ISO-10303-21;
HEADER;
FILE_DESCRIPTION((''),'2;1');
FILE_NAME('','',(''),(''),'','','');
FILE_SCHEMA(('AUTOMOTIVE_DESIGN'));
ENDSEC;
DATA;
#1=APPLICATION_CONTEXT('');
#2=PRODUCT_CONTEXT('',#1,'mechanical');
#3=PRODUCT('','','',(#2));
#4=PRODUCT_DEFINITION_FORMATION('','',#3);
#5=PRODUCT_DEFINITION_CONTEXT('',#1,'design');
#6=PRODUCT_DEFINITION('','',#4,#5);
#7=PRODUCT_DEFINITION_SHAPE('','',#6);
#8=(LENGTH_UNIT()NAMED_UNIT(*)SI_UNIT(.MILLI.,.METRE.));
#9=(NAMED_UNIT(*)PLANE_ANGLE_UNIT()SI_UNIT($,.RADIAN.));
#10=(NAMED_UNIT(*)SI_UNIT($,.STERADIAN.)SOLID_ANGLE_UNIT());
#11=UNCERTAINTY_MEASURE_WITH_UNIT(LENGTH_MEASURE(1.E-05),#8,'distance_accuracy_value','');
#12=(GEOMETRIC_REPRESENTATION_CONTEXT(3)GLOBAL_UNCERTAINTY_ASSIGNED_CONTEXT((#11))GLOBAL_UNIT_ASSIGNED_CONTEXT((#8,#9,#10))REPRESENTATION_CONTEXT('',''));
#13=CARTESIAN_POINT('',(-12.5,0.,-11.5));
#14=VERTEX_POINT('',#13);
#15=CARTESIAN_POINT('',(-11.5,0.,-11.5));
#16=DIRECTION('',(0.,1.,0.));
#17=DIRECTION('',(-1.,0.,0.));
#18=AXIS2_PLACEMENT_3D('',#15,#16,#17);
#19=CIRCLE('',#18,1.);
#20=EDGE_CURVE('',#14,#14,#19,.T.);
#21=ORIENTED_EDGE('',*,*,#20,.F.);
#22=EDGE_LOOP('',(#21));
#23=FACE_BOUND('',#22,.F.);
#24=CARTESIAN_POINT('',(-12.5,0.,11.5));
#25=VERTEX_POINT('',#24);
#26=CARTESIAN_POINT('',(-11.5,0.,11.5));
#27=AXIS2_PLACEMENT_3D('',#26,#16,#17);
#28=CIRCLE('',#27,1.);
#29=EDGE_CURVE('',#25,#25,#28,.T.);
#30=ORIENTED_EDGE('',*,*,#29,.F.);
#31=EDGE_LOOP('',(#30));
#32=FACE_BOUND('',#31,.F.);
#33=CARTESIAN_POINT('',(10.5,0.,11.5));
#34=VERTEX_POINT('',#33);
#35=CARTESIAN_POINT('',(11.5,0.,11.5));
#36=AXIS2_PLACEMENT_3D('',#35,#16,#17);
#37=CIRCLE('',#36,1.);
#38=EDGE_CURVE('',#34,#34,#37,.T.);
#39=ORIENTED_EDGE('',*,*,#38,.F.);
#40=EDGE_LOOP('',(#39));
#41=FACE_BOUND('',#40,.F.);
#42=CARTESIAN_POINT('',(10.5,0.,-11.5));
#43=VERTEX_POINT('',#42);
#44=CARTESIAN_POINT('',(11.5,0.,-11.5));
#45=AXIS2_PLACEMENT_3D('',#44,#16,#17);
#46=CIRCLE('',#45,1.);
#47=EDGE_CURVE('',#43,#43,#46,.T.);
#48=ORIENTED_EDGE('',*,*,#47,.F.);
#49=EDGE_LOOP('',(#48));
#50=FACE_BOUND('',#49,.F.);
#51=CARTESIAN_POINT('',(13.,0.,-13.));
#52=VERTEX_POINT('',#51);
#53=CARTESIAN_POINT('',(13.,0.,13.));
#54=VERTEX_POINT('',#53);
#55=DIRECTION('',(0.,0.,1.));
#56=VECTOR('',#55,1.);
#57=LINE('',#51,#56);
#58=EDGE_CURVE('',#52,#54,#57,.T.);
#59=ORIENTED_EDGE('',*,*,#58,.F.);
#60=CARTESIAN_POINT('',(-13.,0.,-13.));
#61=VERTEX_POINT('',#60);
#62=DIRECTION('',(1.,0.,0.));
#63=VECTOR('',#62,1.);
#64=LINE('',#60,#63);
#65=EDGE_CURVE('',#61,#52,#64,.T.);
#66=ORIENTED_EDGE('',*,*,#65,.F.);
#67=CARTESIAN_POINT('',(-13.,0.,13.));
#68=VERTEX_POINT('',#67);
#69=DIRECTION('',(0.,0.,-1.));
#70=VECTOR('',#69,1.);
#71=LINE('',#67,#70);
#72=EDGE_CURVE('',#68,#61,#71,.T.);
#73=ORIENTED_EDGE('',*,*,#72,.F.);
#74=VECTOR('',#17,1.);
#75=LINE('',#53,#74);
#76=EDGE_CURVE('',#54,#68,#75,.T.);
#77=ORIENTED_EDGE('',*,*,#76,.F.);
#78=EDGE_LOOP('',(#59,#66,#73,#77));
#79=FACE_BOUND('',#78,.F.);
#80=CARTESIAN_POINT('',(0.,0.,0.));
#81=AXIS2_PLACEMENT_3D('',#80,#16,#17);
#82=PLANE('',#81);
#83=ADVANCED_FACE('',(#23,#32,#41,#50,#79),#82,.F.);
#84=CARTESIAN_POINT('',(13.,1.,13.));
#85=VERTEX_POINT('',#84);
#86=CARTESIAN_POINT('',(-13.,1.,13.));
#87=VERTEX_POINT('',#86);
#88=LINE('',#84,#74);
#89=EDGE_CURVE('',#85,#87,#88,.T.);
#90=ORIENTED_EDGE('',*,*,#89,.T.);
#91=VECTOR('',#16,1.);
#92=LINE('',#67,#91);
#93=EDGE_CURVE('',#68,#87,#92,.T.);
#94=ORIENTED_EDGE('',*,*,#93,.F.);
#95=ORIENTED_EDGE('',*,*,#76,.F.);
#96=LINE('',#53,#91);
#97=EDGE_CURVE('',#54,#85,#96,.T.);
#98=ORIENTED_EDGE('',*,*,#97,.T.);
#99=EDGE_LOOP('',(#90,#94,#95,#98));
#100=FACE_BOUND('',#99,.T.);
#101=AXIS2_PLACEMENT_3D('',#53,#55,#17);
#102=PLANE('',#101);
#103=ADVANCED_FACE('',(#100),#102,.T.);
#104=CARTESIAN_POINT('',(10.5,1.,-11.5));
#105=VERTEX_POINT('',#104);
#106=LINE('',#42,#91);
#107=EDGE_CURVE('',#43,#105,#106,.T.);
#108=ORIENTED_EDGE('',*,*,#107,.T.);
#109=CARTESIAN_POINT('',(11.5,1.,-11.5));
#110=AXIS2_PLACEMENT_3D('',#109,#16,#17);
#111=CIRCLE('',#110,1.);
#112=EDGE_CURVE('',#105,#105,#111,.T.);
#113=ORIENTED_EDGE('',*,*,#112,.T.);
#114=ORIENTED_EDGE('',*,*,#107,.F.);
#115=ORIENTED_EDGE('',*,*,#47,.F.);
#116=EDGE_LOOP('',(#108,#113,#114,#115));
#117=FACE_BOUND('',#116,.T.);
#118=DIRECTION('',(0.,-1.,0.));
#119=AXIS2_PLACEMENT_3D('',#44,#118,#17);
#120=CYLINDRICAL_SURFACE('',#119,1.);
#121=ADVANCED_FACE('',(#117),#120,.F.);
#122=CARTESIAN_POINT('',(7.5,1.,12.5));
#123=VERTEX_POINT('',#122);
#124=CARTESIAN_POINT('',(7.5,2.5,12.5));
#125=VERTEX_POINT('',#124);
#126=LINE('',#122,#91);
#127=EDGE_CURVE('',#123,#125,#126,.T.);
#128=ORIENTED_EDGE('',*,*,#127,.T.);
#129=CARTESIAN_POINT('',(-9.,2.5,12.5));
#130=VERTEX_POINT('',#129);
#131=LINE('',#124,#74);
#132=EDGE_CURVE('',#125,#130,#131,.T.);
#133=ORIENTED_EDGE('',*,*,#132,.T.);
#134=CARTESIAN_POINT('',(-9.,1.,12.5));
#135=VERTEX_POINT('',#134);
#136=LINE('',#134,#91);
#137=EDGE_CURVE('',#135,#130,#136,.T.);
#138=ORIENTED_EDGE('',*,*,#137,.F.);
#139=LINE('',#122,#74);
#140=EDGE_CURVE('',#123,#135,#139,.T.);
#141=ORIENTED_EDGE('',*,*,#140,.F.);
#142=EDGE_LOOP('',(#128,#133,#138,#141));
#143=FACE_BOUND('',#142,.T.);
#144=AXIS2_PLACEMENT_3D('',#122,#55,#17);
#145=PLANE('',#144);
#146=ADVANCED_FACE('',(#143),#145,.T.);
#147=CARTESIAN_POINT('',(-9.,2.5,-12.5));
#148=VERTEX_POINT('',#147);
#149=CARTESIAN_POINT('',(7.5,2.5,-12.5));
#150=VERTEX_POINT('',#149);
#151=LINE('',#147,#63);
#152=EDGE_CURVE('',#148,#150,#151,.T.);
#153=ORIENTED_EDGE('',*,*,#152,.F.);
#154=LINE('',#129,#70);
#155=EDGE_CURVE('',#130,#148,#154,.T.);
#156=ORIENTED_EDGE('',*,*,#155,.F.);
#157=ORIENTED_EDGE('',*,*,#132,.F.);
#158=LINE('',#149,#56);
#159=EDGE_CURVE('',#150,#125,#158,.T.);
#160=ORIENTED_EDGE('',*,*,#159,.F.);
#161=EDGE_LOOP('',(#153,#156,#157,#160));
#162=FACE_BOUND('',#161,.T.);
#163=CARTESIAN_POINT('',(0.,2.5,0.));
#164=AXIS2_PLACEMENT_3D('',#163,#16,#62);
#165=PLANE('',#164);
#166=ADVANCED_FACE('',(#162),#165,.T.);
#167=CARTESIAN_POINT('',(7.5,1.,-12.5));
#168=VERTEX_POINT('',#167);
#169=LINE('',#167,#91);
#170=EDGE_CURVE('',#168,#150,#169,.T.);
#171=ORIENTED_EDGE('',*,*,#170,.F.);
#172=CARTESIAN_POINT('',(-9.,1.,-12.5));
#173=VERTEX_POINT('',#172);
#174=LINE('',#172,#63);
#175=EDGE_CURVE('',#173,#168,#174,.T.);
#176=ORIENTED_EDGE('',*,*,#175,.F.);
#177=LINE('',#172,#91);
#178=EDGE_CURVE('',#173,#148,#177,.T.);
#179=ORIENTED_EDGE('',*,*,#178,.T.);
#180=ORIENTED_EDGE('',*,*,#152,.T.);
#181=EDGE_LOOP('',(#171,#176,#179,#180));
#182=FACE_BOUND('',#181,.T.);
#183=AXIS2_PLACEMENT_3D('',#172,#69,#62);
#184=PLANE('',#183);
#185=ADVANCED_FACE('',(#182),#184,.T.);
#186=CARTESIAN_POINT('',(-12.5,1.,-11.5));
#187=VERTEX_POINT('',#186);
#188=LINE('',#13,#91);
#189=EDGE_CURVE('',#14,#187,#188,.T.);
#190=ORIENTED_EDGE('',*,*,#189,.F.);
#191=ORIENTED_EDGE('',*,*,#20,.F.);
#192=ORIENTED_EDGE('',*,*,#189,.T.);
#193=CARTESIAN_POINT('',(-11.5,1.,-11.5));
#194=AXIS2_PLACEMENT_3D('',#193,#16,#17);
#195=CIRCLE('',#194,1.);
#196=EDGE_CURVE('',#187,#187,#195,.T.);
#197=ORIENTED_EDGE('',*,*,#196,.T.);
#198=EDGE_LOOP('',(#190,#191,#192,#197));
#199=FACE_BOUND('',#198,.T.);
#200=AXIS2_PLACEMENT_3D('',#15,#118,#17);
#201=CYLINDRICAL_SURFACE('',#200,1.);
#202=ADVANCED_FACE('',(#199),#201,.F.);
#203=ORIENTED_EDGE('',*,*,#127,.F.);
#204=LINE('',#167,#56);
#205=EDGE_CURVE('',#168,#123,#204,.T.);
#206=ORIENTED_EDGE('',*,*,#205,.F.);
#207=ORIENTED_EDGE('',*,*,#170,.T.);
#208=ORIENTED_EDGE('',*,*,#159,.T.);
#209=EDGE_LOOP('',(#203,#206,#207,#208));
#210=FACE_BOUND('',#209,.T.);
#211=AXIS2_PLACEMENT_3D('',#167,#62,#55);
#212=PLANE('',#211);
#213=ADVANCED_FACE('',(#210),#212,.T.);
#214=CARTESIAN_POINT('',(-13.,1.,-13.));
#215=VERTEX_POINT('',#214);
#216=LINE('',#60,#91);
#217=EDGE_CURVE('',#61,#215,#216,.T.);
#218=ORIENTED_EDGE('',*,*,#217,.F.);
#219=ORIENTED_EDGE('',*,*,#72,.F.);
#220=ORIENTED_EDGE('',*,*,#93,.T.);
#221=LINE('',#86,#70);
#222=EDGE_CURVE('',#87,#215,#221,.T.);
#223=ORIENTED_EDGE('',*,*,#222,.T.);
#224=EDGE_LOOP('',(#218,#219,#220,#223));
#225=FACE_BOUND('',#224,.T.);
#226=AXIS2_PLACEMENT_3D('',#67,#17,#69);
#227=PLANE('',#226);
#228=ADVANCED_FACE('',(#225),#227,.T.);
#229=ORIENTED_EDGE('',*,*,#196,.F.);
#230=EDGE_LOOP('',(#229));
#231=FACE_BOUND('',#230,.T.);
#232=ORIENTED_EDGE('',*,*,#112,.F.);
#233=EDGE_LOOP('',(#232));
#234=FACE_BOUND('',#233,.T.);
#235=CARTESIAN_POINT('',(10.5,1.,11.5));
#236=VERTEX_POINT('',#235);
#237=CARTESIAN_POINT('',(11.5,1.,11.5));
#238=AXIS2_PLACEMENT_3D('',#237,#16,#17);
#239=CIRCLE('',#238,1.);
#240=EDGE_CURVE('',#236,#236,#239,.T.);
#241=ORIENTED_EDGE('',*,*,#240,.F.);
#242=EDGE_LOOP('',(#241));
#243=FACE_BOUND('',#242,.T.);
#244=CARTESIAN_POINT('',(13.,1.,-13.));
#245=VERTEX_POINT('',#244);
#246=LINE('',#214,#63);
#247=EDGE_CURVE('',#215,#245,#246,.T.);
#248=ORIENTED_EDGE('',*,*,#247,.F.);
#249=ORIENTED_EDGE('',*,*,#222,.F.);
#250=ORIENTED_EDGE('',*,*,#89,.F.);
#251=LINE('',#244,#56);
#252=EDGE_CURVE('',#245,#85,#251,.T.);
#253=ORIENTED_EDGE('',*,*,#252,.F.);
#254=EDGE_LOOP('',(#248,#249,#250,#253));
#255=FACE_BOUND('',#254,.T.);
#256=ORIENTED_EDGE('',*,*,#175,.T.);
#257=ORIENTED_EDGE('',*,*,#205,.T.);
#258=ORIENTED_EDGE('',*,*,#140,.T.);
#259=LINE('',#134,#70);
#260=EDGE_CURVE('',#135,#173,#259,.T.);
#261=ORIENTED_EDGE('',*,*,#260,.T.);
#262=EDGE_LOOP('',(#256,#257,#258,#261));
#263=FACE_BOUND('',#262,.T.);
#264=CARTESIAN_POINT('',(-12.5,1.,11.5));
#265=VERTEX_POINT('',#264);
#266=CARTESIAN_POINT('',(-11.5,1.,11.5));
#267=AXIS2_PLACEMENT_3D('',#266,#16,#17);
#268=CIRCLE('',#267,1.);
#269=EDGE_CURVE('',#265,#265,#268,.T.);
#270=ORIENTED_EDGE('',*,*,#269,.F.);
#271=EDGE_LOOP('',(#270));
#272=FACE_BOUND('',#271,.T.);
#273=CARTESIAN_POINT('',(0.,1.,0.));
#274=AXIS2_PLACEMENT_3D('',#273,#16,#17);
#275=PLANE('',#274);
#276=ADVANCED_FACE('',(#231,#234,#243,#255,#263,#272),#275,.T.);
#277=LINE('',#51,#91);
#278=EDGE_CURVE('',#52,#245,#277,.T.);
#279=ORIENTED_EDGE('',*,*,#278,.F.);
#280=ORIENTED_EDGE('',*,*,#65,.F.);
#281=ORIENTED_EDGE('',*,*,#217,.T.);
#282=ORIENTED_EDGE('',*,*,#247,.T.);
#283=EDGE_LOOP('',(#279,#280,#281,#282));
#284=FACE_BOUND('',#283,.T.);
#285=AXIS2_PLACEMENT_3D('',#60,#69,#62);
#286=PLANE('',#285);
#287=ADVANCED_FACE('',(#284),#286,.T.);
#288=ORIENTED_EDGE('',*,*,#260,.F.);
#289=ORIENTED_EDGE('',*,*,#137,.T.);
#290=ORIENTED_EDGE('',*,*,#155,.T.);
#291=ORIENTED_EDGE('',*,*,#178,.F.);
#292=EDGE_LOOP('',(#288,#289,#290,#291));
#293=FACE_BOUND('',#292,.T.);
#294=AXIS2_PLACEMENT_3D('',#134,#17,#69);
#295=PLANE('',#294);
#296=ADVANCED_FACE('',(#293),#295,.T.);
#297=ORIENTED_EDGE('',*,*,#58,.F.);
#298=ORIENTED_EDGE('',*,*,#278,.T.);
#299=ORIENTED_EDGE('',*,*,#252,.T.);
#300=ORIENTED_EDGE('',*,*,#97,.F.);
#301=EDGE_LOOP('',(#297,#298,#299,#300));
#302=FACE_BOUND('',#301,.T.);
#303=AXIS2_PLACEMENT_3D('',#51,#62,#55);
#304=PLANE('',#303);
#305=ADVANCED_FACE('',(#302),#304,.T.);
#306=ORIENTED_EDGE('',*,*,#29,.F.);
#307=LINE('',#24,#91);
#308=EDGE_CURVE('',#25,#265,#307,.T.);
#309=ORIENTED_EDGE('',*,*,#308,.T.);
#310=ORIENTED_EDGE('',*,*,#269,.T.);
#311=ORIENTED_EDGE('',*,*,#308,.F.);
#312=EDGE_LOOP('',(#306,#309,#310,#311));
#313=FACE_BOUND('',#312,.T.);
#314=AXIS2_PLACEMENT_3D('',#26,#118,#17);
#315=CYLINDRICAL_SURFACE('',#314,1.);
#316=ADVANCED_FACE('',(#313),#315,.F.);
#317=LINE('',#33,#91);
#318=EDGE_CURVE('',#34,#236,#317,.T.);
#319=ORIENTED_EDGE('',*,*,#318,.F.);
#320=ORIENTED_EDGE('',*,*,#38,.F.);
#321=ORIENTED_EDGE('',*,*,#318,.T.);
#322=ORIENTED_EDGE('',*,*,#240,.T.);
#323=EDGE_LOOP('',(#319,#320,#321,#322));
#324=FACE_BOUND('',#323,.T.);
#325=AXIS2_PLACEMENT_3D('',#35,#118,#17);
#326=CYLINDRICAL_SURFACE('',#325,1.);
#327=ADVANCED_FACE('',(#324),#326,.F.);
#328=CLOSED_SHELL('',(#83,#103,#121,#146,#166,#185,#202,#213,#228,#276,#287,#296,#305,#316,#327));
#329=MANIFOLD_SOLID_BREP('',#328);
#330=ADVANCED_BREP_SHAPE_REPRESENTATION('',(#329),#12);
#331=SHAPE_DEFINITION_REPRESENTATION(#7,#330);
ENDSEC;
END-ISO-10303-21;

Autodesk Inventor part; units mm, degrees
ref_plane "YZ Plane" through (0, 0, 0) normal (1, 0, 0) x (0, 1, 0)
ref_plane "XZ Plane" through (0, 0, 0) normal (0, 1, 0) x (-1, 0, 0)
ref_plane "XY Plane" through (0, 0, 0) normal (0, 0, 1) x (1, 0, 0)
sketch "Sketch1" plane through (0, 0, 0) normal (0, 1, 0) x (-1, 0, 0)
  line L0 (-13, 13) -> (13, 13)
  line L1 (13, 13) -> (13, -13)
  line L2 (13, -13) -> (-13, -13)
  line L3 (-13, -13) -> (-13, 13)
  line L4 (-13, 13) -> (13, -13) construction
  line L5 (13, 13) -> (-13, -13) construction
  circle A0 centre (11.5, 11.5) radius 1
  line L6 (0, 0) -> (3.4228, 0) construction
  line L7 (0, 0) -> (0, 5.3357) construction
  circle A1 centre (11.5, -11.5) radius 1
  circle A2 centre (-11.5, 11.5) radius 1
  circle A3 centre (-11.5, -11.5) radius 1
  dimension "d0" = 26
  dimension "d1" = 26
  dimension "d2" = 2
  dimension "d3" = 1.5
extrude "Extrusion1" add sketch "Sketch1" along normal blind 1
sketch "Sketch2" plane through (0, 1, 0) normal (0, 1, 0) x (1, 0, 0)
  line L0 (-13, 13) -> (-13, -13) construction
  line L1 (0, 0) -> (-10.4427, 0) construction
  line L2 (7.5, -12.5) -> (-9, -12.5)
  line L3 (-9, -12.5) -> (-9, 12.5)
  line L4 (-9, 12.5) -> (7.5, 12.5)
  line L5 (7.5, 12.5) -> (7.5, -12.5)
  line L6 (7.5, -12.5) -> (-9, 12.5) construction
  line L7 (-9, -12.5) -> (7.5, 12.5) construction
  point P0 (-0.75, 0)
  dimension "d6" = 16.5
  dimension "d7" = 25
  dimension "d8" = 4
extrude "Extrusion2" add sketch "Sketch2" along normal blind 1.5
properties part number "Screen"
